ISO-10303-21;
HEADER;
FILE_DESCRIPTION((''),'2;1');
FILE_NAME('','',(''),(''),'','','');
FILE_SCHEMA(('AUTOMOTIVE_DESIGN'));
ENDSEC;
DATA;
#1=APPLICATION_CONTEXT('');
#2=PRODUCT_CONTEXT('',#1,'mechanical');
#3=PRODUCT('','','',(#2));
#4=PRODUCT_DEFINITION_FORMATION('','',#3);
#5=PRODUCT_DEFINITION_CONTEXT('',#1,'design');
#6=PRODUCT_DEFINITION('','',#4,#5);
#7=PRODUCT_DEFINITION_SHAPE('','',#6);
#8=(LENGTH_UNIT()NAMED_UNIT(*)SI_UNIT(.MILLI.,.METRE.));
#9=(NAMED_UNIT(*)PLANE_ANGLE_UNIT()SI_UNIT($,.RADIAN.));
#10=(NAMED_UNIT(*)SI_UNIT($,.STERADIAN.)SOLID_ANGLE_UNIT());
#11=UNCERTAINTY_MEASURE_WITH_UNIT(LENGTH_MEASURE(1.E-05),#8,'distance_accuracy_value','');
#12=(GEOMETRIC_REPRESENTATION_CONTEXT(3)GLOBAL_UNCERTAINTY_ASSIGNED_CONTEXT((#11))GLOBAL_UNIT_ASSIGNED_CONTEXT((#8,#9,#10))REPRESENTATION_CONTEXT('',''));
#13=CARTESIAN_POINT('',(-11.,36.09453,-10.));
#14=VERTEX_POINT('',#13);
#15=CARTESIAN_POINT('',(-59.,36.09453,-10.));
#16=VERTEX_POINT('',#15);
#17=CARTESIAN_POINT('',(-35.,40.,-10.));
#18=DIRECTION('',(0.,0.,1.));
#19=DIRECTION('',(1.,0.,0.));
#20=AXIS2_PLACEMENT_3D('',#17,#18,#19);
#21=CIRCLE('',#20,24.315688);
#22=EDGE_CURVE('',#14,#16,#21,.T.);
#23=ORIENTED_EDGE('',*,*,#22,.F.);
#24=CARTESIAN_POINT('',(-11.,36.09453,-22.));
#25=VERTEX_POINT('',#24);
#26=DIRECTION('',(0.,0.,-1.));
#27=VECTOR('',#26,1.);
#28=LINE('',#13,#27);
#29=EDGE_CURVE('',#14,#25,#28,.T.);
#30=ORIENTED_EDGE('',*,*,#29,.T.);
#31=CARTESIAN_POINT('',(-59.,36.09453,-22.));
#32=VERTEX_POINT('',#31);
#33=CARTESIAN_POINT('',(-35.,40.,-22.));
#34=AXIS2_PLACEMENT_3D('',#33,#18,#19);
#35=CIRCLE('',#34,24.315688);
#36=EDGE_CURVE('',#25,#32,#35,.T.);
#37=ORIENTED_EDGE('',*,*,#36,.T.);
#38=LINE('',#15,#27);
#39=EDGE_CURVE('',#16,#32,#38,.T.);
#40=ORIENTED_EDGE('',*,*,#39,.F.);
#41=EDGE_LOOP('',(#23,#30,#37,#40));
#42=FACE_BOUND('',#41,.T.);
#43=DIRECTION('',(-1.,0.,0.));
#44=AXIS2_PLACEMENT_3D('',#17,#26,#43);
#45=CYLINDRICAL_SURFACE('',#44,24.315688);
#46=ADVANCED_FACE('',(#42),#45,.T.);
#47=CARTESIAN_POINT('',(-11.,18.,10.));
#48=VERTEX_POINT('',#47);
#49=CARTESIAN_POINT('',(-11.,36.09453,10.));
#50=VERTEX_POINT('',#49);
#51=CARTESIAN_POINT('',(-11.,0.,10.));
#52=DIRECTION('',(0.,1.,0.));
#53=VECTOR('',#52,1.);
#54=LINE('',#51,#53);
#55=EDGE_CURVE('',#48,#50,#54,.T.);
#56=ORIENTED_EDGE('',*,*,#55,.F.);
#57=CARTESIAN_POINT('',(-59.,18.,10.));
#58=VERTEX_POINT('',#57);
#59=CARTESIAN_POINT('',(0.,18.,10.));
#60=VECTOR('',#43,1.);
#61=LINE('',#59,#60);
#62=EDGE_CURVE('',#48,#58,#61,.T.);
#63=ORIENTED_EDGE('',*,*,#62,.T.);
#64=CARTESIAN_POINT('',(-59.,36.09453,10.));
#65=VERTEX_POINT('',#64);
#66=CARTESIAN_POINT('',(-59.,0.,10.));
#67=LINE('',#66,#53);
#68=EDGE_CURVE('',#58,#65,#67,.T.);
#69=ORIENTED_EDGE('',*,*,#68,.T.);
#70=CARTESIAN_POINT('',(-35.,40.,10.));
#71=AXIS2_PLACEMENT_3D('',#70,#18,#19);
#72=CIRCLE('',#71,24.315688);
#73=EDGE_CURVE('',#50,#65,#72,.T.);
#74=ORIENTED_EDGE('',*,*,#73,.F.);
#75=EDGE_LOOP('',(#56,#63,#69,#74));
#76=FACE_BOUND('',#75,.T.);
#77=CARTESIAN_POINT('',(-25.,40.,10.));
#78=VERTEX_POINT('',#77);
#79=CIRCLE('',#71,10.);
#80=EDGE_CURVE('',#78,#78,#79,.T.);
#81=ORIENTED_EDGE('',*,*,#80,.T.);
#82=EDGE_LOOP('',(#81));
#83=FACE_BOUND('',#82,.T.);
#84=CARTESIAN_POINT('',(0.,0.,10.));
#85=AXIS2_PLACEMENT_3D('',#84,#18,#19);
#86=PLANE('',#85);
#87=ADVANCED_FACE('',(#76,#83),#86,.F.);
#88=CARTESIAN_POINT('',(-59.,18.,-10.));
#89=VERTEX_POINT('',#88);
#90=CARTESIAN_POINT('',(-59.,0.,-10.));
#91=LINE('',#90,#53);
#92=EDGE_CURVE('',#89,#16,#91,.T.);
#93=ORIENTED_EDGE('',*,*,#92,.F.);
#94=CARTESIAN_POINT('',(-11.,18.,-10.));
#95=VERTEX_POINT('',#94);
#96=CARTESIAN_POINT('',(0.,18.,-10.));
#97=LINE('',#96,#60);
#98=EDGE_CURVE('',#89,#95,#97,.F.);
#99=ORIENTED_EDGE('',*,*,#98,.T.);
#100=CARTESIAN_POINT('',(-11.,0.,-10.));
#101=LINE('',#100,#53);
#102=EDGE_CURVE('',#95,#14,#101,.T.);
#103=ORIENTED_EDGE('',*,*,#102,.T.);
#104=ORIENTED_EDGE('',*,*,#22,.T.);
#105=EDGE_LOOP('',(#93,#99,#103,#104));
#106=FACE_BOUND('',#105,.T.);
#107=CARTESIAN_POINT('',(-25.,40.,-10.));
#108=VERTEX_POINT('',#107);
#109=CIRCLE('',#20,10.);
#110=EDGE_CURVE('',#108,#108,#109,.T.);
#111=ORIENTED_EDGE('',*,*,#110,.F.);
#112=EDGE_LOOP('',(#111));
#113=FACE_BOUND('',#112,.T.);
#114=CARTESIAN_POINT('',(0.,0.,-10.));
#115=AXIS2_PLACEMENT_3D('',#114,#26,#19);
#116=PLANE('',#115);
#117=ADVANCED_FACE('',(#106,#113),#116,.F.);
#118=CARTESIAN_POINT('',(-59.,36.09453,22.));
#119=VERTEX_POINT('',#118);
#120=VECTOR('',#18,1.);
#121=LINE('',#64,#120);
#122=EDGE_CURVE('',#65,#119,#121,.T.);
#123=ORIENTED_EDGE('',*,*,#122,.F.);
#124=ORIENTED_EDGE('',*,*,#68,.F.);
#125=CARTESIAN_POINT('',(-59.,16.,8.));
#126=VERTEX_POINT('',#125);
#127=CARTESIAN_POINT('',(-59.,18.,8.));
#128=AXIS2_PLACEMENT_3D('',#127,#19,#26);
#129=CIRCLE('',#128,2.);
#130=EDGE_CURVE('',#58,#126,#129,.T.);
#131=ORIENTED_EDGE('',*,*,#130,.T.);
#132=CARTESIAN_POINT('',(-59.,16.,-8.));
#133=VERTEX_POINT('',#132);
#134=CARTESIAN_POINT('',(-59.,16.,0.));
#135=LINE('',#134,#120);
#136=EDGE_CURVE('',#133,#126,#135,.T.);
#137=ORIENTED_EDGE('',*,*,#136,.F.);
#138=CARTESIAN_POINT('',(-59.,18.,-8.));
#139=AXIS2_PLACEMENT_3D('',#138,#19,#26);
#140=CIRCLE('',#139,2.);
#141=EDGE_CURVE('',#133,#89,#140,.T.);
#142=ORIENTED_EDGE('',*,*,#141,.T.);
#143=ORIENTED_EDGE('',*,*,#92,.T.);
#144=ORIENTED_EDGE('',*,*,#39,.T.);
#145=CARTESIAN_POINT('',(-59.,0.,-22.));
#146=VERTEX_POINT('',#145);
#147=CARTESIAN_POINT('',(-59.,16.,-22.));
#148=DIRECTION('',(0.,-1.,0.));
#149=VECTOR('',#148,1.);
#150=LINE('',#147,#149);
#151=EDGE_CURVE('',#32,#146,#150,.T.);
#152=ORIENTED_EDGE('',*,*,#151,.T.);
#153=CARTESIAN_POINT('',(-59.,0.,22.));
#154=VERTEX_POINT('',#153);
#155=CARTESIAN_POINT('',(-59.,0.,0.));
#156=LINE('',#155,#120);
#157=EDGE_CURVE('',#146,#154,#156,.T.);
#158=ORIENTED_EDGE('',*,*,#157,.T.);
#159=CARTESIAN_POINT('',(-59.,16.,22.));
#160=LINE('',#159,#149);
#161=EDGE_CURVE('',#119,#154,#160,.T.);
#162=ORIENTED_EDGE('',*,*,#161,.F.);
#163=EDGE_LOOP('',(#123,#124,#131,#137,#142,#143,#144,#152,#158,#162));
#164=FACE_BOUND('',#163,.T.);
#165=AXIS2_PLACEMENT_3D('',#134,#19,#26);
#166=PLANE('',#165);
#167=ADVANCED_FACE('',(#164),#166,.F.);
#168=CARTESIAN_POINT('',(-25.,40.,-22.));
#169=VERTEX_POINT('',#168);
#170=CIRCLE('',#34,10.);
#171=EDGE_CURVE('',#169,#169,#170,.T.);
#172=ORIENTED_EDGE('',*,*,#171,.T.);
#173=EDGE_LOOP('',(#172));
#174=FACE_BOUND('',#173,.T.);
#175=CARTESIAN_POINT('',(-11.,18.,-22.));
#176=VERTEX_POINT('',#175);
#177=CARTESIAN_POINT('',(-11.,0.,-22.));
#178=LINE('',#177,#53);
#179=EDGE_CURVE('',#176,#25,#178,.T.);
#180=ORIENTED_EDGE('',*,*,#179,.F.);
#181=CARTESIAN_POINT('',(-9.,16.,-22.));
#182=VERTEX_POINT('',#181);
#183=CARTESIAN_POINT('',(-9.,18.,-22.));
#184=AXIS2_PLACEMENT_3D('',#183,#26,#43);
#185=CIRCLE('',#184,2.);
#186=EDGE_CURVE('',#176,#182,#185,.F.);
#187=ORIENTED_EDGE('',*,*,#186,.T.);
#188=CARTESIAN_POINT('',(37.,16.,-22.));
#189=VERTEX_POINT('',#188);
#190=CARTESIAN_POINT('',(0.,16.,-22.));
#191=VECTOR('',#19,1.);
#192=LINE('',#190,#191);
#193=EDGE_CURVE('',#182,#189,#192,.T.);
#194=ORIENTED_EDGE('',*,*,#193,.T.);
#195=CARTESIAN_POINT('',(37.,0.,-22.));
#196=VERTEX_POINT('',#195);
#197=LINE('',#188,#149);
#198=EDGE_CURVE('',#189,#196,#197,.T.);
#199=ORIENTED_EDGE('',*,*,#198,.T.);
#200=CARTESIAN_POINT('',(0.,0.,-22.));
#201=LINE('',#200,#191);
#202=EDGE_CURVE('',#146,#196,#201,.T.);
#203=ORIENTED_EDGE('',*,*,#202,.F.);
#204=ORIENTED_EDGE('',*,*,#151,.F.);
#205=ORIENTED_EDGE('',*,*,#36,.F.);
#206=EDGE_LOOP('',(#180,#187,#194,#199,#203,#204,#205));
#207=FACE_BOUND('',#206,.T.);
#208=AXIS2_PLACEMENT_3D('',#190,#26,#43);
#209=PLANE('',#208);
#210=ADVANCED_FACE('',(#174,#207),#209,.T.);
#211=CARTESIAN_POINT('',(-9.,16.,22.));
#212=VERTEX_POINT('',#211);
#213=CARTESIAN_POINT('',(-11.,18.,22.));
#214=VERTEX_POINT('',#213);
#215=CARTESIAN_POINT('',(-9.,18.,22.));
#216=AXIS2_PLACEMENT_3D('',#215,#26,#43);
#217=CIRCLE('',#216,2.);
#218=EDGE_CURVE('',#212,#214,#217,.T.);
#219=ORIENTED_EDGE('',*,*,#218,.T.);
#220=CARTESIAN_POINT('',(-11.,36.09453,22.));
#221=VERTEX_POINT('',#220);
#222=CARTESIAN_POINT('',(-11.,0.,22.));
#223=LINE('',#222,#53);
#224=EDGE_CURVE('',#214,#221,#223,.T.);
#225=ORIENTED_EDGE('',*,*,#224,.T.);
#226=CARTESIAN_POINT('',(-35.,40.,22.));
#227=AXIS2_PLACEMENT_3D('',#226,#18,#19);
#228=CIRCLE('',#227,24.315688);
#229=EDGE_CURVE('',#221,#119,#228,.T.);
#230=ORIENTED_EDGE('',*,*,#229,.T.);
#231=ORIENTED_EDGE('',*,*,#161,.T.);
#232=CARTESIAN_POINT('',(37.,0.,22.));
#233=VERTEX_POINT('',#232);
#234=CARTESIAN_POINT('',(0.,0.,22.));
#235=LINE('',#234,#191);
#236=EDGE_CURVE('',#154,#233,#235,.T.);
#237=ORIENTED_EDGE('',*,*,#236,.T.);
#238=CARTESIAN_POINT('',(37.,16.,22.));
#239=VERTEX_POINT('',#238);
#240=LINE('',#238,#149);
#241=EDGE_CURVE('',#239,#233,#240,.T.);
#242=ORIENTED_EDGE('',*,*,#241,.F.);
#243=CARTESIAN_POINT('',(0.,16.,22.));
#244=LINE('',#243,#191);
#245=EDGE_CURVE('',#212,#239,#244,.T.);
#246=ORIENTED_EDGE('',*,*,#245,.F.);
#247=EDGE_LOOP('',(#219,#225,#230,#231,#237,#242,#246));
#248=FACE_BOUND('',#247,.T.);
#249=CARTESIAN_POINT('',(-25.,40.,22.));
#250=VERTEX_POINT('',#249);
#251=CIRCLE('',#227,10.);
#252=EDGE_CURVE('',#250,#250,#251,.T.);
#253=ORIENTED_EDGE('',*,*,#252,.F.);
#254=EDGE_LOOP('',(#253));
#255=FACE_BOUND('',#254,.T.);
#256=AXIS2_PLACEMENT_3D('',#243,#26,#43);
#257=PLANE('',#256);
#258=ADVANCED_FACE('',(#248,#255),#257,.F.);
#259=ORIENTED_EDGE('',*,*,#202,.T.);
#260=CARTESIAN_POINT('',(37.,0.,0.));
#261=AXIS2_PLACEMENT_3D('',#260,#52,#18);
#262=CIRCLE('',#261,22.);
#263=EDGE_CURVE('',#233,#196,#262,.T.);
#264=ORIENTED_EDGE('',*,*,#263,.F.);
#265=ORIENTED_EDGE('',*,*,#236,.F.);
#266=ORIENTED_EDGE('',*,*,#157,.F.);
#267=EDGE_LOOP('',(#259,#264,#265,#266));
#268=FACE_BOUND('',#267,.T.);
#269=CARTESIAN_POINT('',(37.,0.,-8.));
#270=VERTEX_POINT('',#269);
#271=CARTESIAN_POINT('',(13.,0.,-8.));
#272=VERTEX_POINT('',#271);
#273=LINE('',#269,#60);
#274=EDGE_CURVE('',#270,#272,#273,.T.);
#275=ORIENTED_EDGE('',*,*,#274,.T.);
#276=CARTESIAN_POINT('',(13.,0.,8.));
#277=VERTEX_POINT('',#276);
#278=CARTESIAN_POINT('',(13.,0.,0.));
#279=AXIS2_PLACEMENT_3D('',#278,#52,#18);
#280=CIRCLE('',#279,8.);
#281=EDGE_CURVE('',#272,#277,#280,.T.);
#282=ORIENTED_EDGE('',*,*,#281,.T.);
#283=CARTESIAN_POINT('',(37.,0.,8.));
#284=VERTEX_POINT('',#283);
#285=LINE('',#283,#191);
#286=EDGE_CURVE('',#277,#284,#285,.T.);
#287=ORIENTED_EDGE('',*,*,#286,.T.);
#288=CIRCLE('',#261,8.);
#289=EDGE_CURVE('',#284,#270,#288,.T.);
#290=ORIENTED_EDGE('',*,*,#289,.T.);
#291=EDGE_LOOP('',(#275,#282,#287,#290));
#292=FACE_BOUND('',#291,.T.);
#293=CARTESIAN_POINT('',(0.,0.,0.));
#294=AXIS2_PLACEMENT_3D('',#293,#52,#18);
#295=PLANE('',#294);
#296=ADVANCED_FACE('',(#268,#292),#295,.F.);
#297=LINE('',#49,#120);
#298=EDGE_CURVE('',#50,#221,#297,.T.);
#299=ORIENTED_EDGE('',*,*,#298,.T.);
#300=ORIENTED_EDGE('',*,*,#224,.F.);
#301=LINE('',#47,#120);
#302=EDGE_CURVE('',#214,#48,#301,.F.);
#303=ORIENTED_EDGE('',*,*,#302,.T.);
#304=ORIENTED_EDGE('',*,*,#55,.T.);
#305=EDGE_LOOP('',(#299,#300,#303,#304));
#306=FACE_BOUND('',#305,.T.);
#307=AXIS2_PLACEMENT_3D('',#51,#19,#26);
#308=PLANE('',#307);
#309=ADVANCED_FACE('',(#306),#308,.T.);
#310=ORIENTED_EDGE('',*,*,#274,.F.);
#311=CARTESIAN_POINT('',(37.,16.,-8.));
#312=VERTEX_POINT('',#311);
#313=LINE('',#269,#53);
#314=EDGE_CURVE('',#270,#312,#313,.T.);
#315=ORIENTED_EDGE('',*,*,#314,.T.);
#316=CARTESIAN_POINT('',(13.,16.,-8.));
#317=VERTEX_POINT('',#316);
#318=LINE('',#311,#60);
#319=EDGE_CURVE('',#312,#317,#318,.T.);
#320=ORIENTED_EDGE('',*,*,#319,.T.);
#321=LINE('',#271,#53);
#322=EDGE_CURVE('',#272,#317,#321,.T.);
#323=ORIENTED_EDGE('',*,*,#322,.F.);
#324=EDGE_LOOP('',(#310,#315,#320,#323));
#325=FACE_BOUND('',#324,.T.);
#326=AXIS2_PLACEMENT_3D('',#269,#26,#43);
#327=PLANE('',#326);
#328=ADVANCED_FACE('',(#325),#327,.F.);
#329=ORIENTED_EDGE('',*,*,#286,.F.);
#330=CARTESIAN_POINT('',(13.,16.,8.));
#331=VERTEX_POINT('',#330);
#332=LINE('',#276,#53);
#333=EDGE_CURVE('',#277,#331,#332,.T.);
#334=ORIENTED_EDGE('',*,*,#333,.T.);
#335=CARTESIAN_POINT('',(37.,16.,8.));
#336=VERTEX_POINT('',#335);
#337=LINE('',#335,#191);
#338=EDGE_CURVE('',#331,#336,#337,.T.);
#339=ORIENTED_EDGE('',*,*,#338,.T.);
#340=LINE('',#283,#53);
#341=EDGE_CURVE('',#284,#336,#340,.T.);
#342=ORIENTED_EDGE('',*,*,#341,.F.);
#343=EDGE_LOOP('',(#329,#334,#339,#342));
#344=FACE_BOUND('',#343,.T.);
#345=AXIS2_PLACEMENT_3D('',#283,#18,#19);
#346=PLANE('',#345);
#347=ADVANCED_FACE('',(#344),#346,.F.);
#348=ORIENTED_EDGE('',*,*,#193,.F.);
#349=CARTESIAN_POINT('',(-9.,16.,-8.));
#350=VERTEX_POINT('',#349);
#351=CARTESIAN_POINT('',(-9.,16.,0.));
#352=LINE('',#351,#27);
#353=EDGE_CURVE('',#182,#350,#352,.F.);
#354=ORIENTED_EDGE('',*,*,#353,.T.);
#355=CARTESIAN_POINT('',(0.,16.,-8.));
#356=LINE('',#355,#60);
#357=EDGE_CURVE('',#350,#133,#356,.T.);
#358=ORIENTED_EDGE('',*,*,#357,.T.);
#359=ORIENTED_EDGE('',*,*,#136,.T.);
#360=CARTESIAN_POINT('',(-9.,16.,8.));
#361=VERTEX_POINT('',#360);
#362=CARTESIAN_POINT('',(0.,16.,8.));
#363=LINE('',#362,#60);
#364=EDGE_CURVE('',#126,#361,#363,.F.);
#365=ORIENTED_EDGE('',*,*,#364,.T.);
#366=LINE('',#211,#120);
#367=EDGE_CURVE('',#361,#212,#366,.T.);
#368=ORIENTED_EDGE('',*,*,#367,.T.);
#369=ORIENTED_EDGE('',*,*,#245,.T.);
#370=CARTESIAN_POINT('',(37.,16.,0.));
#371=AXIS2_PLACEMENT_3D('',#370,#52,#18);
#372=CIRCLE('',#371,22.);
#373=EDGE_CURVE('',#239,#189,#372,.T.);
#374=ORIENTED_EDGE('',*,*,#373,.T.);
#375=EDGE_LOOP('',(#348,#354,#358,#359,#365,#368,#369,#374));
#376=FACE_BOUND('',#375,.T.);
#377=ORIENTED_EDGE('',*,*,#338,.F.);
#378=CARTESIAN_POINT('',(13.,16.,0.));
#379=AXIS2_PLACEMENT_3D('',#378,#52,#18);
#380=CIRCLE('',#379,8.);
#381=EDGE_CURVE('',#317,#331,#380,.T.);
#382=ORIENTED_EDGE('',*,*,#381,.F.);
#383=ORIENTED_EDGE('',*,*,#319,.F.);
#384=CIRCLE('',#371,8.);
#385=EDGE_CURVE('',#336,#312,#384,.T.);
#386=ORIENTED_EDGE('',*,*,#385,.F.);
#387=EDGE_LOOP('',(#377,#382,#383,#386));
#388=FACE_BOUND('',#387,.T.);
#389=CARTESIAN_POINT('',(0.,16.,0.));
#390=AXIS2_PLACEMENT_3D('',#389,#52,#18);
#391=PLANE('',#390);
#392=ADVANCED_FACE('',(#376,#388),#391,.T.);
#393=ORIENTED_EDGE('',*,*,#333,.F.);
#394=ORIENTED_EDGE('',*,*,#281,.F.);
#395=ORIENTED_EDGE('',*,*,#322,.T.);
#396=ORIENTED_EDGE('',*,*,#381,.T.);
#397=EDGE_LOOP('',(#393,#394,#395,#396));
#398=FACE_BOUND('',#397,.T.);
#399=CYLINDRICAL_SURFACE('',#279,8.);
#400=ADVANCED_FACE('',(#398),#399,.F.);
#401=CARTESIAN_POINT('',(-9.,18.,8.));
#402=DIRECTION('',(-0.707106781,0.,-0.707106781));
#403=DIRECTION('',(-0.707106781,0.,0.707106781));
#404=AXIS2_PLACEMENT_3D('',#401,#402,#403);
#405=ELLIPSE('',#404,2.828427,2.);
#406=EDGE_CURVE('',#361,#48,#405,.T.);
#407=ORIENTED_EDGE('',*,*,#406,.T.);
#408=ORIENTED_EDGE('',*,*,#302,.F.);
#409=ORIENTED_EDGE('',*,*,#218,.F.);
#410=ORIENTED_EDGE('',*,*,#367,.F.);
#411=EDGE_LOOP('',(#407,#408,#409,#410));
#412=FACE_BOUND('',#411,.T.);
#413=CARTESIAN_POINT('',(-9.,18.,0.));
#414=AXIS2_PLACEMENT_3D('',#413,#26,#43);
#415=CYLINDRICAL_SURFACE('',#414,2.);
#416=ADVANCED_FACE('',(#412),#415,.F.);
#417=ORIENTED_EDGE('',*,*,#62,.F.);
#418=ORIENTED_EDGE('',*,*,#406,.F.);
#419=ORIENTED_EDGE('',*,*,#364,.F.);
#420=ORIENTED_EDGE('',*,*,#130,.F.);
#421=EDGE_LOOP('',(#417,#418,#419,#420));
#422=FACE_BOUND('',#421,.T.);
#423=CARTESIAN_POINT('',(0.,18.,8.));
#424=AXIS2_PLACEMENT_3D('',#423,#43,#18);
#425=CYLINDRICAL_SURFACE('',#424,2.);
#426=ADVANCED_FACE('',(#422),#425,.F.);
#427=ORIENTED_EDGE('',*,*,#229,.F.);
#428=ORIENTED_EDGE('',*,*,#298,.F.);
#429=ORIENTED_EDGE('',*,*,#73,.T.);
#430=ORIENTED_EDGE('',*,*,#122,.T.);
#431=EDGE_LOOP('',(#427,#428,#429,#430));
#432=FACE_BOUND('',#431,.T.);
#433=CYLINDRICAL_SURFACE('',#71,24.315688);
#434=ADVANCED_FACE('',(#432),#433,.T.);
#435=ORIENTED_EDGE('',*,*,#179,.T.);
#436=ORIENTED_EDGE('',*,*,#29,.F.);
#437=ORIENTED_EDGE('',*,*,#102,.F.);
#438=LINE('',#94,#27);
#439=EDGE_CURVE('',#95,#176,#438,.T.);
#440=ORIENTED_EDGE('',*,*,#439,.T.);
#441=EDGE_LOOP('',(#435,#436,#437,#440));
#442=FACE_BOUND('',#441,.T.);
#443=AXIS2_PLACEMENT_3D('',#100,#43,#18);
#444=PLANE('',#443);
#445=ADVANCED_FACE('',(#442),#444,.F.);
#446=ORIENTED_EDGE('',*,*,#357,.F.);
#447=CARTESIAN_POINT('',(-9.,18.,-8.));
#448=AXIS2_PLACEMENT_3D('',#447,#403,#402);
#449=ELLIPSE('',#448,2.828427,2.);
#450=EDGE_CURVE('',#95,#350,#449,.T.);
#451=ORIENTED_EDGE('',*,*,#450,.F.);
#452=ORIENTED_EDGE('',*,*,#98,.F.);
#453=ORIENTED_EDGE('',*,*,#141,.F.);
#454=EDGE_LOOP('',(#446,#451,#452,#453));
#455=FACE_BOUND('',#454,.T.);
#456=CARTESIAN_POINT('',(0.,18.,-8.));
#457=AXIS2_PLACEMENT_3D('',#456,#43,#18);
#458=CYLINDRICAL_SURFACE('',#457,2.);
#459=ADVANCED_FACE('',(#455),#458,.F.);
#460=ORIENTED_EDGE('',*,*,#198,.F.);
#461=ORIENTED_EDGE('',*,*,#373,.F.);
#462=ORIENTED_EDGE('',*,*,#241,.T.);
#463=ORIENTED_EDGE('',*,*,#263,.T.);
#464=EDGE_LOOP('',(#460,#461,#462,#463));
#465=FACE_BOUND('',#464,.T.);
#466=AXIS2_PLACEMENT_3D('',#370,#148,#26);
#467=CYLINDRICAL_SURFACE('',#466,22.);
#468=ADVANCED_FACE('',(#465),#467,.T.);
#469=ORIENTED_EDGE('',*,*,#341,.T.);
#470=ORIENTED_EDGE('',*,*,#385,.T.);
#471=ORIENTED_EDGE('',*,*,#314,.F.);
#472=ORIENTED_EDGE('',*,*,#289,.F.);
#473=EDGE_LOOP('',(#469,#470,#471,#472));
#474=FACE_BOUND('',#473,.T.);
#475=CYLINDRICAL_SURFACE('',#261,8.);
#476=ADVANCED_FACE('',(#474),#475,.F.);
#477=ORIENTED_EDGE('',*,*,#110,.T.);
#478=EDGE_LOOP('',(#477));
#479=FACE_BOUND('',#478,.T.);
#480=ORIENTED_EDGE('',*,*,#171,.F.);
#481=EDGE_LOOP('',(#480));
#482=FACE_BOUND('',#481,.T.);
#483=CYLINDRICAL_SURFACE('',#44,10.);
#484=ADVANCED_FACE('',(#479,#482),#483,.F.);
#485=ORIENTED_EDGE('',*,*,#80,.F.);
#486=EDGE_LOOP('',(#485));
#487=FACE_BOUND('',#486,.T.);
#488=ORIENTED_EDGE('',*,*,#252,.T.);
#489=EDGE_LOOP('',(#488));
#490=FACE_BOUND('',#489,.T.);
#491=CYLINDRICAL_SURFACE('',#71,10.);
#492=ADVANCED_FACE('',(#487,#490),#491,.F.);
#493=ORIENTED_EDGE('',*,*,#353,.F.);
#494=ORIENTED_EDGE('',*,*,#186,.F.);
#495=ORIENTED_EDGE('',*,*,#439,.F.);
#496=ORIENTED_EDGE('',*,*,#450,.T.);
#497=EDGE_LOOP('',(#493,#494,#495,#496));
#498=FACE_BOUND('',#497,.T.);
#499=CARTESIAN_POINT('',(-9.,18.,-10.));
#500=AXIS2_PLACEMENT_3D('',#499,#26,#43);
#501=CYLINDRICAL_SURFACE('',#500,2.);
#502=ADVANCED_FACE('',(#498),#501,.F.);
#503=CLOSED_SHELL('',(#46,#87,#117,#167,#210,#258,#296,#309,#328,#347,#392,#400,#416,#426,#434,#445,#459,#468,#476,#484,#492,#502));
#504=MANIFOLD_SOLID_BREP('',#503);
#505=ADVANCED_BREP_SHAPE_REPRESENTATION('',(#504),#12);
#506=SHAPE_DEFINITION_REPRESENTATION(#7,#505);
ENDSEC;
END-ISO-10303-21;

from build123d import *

# Parameters (mm, degrees)
BOSS_EXTRUDE1_DEPTH = 16
CUT_EXTRUDE1_DEPTH  = 16
SKETCH5_R           = 10
BOSS_EXTRUDE2_DEPTH = 12
FILLET1_R           = 2


with BuildPart() as part:
    # Sketch2 → Boss-Extrude1 (new body)
    with BuildSketch(Plane(origin=(0, 0, 0), x_dir=(1, 0, 0), z_dir=(0, 1, 0))):
        with BuildLine():
            Line((37, 22), (-59, 22))
            Line((-59, 22), (-59, -22))
            Line((-59, -22), (37, -22))
            ThreePointArc((37, -22), (59, 0), (37, 22))
        make_face()
    extrude(amount=BOSS_EXTRUDE1_DEPTH)

    # Sketch3 → Cut-Extrude1 (cut)
    with BuildSketch(Plane(origin=(0, 16, 0), x_dir=(1, 0, 0), z_dir=(0, 1, 0))):
        with BuildLine():
            Line((37, -8), (13, -8))
            ThreePointArc((13, -8), (5, 0), (13, 8))
            Line((13, 8), (37, 8))
            ThreePointArc((37, 8), (45, 0), (37, -8))
        make_face()
    extrude(amount=-CUT_EXTRUDE1_DEPTH, mode=Mode.SUBTRACT)

    # Sketch5 → Boss-Extrude2 (add)
    with BuildSketch(Plane.XY.offset(22)):
        with BuildLine():
            Line((-59, 16), (-11, 16))
            Line((-11, 16), (-11, 36.094530012))
            ThreePointArc((-11, 36.094530012), (-35, 64.315688266), (-59, 36.094530012))
            Line((-59, 36.094530012), (-59, 16))
        make_face()
        with Locations((-35, 40)):
            Circle(SKETCH5_R, mode=Mode.SUBTRACT)
    boss_extrude2 = extrude(amount=-BOSS_EXTRUDE2_DEPTH)

    # Mirror1: Boss-Extrude2 across plane
    add(boss_extrude2.mirror(Plane.XY))

    # Fillet1
    fillet1_edges = [part.edges().sort_by_distance(p)[0] for p in [
        (-11, 16, 16),
        (-35, 16, 10),
        (-35, 16, -10),
        (-11, 16, -16),
    ]]
    fillet(fillet1_edges, radius=FILLET1_R)


solid = part.part
